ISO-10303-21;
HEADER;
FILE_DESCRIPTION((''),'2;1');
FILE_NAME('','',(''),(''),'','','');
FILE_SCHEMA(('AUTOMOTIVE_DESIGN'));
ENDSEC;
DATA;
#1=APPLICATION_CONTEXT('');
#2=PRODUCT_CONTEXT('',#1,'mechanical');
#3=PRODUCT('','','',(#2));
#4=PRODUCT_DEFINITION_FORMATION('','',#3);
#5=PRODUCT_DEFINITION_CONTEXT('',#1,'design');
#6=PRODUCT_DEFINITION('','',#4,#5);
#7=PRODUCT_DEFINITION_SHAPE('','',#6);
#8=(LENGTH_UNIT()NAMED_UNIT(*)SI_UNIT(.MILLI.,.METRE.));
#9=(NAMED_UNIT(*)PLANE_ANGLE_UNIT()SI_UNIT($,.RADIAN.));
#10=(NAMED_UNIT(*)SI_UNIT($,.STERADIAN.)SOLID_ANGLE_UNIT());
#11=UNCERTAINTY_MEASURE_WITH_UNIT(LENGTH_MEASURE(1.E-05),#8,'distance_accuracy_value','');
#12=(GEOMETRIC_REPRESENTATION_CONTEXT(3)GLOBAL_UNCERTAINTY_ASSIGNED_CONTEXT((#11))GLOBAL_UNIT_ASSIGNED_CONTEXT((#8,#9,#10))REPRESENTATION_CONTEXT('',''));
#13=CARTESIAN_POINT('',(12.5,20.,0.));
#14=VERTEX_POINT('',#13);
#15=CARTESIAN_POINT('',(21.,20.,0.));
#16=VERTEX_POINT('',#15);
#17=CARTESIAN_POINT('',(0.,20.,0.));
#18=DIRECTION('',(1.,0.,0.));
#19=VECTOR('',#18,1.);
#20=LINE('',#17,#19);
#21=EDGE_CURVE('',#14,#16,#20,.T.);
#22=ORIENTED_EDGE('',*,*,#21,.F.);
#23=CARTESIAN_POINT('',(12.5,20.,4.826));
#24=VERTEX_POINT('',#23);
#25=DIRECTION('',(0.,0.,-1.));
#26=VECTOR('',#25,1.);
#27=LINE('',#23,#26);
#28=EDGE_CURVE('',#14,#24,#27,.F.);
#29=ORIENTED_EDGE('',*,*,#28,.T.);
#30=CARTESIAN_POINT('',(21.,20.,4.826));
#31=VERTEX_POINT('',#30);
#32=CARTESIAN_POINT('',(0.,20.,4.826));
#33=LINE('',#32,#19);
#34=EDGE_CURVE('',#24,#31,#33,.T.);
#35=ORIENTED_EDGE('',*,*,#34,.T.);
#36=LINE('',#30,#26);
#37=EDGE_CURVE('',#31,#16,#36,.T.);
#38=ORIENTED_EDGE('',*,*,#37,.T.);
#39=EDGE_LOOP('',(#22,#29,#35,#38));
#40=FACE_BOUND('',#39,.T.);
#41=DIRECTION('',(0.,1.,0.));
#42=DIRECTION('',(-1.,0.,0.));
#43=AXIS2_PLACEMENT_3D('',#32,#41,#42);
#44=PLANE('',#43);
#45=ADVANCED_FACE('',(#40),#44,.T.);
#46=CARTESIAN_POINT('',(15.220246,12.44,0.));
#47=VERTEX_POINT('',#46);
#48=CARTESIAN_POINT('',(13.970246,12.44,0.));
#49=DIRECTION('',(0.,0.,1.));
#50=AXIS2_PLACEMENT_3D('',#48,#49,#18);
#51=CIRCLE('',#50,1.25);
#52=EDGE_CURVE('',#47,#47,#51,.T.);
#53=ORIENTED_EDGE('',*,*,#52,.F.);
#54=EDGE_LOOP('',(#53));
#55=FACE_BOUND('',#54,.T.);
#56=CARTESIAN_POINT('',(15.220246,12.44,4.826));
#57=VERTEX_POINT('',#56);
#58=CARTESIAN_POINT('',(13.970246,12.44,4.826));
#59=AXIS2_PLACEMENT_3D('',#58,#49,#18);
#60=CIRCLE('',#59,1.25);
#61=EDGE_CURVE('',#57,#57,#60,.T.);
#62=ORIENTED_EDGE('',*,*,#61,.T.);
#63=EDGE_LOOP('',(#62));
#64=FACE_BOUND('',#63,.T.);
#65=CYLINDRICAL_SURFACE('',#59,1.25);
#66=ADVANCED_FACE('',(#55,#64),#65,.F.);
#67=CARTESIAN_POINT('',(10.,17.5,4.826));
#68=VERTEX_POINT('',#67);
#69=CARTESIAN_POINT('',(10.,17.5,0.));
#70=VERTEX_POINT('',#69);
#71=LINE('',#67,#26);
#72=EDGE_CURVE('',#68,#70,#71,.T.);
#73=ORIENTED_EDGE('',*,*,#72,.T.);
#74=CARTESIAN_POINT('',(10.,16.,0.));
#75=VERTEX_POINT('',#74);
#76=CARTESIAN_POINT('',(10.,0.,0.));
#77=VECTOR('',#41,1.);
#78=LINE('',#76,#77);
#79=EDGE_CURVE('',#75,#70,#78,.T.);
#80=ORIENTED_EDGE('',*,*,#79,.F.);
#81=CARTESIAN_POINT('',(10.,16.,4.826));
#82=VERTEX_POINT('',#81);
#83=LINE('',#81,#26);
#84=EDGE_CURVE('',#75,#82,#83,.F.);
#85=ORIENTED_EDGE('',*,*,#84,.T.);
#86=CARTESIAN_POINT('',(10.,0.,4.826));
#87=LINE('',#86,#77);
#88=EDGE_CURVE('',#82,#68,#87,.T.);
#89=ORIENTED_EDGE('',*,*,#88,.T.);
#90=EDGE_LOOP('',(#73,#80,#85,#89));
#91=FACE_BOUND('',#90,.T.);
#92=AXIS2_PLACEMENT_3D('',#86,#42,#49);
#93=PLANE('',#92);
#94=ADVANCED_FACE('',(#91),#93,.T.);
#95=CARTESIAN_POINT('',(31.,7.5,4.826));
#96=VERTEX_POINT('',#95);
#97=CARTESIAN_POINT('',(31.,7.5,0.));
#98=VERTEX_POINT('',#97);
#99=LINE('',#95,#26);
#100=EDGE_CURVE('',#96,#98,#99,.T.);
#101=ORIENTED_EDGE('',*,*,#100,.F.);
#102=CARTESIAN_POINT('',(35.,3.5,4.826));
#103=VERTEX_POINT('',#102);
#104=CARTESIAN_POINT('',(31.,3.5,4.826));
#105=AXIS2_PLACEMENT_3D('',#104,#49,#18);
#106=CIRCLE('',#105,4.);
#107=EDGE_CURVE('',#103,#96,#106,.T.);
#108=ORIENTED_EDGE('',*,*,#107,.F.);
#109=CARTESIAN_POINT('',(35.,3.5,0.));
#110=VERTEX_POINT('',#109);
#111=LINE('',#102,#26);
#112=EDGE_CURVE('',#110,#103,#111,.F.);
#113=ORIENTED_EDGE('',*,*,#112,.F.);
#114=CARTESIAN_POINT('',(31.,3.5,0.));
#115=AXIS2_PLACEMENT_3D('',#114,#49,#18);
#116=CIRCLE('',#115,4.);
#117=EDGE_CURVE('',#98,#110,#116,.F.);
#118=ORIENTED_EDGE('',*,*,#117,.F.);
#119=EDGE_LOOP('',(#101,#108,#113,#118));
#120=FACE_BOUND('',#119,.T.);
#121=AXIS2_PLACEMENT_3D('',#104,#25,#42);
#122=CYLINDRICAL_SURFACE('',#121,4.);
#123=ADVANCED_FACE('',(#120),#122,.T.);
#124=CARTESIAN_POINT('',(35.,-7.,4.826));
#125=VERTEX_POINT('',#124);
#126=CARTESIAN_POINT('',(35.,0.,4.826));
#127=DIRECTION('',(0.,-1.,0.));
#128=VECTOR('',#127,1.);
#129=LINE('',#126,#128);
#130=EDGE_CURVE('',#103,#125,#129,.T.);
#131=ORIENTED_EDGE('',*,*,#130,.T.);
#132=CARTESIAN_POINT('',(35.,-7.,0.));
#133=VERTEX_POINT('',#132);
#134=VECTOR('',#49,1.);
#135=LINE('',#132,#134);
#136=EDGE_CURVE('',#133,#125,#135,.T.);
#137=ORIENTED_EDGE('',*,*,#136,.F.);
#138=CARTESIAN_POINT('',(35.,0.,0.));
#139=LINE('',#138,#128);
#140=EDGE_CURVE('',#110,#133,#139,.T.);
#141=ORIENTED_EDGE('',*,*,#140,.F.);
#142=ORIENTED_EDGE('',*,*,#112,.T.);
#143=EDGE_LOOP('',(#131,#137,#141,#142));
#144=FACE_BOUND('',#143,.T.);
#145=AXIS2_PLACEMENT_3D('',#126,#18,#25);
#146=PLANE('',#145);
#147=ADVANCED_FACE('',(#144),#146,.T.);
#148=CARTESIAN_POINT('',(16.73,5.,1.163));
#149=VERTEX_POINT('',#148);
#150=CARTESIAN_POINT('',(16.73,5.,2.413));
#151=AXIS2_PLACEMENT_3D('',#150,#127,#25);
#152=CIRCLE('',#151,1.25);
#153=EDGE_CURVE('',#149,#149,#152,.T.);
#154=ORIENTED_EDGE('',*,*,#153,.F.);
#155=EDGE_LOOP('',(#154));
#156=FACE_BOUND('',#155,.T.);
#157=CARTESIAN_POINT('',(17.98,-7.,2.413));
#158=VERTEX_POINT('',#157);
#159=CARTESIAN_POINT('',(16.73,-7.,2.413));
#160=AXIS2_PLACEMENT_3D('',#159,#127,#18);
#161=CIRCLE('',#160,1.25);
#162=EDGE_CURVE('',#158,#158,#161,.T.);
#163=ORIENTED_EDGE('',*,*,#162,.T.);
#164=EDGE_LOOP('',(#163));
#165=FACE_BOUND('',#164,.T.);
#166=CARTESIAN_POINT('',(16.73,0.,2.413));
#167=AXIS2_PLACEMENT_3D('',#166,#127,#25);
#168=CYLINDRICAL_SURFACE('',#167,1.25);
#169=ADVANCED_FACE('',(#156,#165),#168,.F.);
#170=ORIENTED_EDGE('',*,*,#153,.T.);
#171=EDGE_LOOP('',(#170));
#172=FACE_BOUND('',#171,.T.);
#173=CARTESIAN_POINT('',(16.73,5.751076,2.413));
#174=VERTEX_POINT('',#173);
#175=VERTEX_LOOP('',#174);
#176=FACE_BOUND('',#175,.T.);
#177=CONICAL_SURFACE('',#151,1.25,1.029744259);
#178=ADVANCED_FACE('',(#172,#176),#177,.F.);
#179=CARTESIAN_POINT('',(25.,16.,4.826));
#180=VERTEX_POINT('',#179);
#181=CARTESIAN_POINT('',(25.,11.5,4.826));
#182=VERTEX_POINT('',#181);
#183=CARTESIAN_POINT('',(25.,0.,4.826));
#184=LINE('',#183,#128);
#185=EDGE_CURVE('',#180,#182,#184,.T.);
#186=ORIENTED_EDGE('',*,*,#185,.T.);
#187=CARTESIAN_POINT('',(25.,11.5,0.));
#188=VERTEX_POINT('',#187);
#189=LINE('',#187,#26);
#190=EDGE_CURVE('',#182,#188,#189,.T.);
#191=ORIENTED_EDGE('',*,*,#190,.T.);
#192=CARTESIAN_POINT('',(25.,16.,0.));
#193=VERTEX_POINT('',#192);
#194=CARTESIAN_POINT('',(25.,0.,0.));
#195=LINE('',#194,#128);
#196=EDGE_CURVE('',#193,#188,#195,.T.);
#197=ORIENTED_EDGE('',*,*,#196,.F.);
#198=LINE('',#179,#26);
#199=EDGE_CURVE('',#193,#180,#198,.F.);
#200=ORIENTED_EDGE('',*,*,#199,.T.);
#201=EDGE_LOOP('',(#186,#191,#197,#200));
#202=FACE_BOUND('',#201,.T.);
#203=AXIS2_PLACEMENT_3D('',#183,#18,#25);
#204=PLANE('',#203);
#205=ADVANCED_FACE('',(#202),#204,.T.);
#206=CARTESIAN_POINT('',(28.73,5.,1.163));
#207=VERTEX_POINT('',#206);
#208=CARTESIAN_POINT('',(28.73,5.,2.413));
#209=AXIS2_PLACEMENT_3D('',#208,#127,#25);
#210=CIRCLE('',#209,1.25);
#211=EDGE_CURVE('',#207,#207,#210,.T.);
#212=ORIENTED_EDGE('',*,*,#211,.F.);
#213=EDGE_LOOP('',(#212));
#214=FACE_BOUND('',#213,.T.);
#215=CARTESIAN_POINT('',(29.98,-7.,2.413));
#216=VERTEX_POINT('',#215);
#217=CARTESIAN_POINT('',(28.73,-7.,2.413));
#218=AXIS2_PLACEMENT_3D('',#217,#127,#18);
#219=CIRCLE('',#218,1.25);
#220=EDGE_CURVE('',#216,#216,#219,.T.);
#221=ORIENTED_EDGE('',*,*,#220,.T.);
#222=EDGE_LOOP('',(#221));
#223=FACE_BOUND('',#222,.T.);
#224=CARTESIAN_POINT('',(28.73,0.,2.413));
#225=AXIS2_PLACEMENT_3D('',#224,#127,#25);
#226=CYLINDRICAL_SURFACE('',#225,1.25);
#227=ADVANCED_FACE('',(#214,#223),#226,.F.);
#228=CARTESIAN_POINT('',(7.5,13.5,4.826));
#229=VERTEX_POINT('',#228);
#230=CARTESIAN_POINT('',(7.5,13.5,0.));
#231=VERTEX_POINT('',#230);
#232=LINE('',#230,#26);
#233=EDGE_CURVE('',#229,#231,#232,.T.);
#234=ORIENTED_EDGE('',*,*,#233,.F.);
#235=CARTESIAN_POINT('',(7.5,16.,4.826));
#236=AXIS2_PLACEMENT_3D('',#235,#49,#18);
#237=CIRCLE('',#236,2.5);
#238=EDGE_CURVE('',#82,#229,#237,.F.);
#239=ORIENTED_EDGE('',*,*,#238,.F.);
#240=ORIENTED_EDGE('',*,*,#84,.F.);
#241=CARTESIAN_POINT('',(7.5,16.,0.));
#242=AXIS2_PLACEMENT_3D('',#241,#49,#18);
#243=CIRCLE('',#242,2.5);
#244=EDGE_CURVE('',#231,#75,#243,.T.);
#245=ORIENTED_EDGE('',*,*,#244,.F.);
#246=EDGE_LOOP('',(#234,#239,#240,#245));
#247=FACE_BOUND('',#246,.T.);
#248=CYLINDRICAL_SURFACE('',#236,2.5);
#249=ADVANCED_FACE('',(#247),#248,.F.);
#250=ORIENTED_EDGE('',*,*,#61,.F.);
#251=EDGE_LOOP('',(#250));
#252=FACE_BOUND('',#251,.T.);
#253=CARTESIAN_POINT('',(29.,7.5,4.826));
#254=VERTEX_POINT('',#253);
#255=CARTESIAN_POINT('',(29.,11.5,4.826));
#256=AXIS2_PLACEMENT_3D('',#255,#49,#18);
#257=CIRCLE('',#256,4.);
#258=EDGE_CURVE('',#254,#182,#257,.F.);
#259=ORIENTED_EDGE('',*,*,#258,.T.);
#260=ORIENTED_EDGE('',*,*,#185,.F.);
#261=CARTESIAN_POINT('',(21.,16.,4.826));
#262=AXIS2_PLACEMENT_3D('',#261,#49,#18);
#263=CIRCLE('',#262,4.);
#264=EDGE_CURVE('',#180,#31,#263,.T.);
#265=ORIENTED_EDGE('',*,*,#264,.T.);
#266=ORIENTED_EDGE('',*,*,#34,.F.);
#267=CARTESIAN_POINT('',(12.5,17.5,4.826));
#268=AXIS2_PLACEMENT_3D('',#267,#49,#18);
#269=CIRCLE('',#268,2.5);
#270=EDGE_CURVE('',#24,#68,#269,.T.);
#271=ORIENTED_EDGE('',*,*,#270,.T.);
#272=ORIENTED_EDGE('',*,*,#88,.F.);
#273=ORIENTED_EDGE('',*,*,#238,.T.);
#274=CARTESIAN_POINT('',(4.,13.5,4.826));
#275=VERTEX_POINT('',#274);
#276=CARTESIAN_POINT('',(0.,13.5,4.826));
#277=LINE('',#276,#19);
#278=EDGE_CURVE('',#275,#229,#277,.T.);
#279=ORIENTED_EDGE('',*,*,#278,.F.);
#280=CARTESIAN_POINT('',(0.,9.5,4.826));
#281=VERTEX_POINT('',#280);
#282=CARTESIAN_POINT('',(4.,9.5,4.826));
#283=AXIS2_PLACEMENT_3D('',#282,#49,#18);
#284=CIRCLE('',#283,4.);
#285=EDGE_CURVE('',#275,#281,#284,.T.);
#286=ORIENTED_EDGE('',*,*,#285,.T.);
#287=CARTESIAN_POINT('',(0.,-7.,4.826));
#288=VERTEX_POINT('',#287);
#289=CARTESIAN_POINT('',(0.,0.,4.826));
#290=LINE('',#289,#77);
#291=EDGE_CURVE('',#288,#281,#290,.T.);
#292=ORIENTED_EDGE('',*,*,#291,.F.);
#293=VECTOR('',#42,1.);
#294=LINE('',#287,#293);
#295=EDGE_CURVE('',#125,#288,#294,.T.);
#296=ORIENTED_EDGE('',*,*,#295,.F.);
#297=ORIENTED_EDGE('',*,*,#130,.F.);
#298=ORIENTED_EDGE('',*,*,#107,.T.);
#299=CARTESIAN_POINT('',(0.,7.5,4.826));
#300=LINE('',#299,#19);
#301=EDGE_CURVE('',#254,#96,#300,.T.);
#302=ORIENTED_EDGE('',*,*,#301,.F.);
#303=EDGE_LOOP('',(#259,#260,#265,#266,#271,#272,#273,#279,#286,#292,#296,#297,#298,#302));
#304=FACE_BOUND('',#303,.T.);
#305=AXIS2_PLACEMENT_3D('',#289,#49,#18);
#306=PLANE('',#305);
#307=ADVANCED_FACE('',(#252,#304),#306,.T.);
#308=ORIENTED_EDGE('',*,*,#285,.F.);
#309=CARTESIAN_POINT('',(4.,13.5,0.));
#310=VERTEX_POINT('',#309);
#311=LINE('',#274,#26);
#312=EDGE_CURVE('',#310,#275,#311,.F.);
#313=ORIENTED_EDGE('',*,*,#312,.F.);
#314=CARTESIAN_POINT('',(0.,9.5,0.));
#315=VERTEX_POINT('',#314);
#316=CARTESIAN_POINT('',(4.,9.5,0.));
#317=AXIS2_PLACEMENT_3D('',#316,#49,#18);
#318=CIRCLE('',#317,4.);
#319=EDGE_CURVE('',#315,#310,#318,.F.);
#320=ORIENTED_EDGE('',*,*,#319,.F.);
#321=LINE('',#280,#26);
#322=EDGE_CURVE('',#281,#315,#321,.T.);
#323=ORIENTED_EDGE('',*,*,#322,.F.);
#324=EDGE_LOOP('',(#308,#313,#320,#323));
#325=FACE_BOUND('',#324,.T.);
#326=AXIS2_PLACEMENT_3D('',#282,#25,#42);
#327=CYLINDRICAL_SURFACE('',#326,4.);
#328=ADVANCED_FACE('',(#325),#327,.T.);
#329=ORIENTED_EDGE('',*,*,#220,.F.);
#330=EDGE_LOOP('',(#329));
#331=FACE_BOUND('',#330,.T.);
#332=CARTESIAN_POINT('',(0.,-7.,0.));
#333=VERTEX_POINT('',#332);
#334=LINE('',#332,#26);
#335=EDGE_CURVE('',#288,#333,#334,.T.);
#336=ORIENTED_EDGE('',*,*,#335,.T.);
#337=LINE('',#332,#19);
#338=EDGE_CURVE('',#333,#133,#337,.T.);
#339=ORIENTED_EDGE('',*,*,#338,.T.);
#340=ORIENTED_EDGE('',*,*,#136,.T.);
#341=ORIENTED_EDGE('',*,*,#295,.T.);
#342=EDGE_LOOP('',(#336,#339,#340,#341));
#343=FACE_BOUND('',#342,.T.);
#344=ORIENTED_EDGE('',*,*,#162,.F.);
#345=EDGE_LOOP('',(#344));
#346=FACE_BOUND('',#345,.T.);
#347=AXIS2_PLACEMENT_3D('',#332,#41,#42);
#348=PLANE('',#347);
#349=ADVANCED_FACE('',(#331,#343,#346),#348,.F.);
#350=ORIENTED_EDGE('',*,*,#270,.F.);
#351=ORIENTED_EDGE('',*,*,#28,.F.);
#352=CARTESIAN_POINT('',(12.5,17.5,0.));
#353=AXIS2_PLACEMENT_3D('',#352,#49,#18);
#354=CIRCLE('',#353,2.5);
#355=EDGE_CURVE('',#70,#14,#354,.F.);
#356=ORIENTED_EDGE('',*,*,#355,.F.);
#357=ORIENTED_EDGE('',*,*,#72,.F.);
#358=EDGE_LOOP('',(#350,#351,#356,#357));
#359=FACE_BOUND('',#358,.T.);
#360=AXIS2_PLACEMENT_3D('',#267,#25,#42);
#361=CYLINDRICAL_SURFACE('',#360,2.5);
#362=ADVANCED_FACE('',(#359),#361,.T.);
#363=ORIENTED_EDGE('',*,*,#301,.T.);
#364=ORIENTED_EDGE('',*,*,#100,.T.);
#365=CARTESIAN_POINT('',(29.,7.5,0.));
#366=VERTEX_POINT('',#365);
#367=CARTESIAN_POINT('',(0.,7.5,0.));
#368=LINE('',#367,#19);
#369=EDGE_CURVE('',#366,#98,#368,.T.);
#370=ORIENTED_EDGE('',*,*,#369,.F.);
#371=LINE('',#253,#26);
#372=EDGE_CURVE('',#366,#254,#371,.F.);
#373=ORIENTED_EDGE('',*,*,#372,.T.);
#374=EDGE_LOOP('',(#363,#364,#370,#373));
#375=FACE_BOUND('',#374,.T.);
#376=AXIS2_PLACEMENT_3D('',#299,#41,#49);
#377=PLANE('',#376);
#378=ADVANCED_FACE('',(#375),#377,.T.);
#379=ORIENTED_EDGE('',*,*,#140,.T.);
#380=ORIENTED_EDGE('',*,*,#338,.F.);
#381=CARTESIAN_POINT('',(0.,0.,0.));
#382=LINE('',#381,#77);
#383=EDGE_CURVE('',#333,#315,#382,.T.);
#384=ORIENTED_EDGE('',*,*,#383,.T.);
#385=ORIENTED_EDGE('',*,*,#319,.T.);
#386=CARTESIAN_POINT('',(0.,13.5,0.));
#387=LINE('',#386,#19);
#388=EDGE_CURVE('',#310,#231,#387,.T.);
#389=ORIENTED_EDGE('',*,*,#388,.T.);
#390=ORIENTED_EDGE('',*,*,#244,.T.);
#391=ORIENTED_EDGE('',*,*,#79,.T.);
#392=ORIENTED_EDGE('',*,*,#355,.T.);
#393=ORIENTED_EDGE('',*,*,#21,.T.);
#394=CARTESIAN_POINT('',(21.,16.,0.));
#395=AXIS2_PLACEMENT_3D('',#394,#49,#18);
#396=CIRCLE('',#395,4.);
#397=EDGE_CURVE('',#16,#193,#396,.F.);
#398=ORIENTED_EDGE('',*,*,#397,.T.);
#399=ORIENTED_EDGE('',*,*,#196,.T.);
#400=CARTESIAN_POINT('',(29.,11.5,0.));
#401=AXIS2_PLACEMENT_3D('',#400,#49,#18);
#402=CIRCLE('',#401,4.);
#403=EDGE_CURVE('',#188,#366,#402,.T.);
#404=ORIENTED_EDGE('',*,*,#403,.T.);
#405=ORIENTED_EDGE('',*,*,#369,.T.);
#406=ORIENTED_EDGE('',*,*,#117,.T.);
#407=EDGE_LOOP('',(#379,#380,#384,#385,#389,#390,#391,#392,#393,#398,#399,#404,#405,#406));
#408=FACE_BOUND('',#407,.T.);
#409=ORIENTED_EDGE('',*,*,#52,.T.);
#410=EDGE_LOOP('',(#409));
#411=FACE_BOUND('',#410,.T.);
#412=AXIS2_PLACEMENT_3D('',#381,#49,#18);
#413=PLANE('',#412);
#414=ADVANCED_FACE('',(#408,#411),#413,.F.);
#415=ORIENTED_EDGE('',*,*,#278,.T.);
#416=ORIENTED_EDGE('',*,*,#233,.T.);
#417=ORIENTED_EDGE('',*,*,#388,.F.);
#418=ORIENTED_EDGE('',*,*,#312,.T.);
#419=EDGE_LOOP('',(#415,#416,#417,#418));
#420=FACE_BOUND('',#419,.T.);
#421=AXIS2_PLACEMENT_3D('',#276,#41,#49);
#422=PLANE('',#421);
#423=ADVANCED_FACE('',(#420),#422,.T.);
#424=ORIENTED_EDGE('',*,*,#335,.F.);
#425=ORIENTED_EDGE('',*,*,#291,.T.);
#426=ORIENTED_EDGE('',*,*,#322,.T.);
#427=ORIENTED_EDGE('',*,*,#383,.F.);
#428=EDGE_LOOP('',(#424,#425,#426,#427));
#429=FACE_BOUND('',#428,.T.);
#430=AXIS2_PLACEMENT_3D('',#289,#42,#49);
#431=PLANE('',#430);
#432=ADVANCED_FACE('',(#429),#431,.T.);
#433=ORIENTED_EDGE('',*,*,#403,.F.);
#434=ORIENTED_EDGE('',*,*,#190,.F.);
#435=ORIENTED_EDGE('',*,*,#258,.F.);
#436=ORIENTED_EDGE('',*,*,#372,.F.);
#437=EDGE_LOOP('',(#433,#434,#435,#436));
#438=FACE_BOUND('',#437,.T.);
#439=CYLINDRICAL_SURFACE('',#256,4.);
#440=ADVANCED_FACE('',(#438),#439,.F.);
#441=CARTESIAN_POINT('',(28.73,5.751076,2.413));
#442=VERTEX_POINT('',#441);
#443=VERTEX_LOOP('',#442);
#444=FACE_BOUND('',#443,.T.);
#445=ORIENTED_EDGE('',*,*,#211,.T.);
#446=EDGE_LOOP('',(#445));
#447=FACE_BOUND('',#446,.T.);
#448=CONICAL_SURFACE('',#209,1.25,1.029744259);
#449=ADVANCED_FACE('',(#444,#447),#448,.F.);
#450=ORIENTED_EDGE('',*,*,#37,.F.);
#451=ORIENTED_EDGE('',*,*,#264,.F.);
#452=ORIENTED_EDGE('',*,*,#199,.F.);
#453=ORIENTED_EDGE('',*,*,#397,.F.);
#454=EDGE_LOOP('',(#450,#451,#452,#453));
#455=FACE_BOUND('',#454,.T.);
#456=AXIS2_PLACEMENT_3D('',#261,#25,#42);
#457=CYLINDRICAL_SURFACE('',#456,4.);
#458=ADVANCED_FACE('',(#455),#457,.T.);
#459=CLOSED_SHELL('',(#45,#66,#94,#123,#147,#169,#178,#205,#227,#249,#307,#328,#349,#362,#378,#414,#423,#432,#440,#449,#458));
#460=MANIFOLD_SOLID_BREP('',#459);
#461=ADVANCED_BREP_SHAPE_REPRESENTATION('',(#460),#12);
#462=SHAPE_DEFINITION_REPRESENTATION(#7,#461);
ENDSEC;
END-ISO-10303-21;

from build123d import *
from build123d.topology import SkipClean

# Parameters (mm, degrees)
BOSS_EXTRUDE1_DEPTH       = 4.826
M3X0_5_TAPPED_HOLE2_D     = 2.5
M3X0_5_TAPPED_HOLE3_D     = 2.5
M3X0_5_TAPPED_HOLE3_DEPTH = 5
M3X0_5_TAPPED_HOLE3_TIP   = 0.751075774
FILLET1_R                 = 2.5
FILLET2_R                 = 4
SKETCH20_W                = 35
SKETCH20_H                = 4.826
SKETCH20_R                = 1.25
BOSS_EXTRUDE2_DEPTH       = 7


with BuildPart() as part:
    # Sketch1 → Boss-Extrude1 (new body)
    with BuildSketch(Plane.XY):
        Polygon((0, 0), (0, 13.5), (10, 13.5), (10, 20), (25, 20), (25, 7.5), (35, 7.5), (35, 0), align=None)
    extrude(amount=BOSS_EXTRUDE1_DEPTH)

    # M3x0.5 Tapped Hole2 (through all)
    with Locations(Plane.XY.offset(4.826)):
        with Locations((13.97024649, 12.44)):
            Hole(M3X0_5_TAPPED_HOLE2_D / 2)

    # M3x0.5 Tapped Hole3
    with Locations(Plane(origin=(0, 0, 0), x_dir=(-1, 0, 0), z_dir=(0, -1, 0))):
        with Locations((-16.73, -2.413), (-28.73, -2.413)):
            Hole(M3X0_5_TAPPED_HOLE3_D / 2, depth=M3X0_5_TAPPED_HOLE3_DEPTH)
            with Locations((0, 0, -(M3X0_5_TAPPED_HOLE3_DEPTH + M3X0_5_TAPPED_HOLE3_TIP / 2))):  # 118° drill point
                Cone(0, M3X0_5_TAPPED_HOLE3_D / 2, M3X0_5_TAPPED_HOLE3_TIP, mode=Mode.SUBTRACT)

    # Fillet1
    fillet1_edges = [part.edges().sort_by_distance(p)[0] for p in [
        (10, 20, 2.413),
        (10, 13.5, 2.413),
    ]]
    fillet(fillet1_edges, radius=FILLET1_R)

    # Fillet2
    fillet2_edges = [part.edges().sort_by_distance(p)[0] for p in [
        (25, 20, 2.413),
        (25, 7.5, 2.413),
        (35, 7.5, 2.413),
        (0, 13.5, 2.413),
    ]]
    fillet(fillet2_edges, radius=FILLET2_R)

    # Sketch20 → Boss-Extrude2 (add)
    with SkipClean():  # the faces are left unmerged after this step: merging them gives an invalid solid
        with BuildSketch(Plane.XZ):
            with Locations((17.5, 2.413)):
                Rectangle(SKETCH20_W, SKETCH20_H)
            with Locations(Location((28.73, 2.413, 0), (0, 0, 270))):
                Circle(SKETCH20_R, mode=Mode.SUBTRACT)
            with Locations(Location((16.73, 2.413, 0), (0, 0, 270))):
                Circle(SKETCH20_R, mode=Mode.SUBTRACT)
        extrude(amount=BOSS_EXTRUDE2_DEPTH)


solid = part.part
